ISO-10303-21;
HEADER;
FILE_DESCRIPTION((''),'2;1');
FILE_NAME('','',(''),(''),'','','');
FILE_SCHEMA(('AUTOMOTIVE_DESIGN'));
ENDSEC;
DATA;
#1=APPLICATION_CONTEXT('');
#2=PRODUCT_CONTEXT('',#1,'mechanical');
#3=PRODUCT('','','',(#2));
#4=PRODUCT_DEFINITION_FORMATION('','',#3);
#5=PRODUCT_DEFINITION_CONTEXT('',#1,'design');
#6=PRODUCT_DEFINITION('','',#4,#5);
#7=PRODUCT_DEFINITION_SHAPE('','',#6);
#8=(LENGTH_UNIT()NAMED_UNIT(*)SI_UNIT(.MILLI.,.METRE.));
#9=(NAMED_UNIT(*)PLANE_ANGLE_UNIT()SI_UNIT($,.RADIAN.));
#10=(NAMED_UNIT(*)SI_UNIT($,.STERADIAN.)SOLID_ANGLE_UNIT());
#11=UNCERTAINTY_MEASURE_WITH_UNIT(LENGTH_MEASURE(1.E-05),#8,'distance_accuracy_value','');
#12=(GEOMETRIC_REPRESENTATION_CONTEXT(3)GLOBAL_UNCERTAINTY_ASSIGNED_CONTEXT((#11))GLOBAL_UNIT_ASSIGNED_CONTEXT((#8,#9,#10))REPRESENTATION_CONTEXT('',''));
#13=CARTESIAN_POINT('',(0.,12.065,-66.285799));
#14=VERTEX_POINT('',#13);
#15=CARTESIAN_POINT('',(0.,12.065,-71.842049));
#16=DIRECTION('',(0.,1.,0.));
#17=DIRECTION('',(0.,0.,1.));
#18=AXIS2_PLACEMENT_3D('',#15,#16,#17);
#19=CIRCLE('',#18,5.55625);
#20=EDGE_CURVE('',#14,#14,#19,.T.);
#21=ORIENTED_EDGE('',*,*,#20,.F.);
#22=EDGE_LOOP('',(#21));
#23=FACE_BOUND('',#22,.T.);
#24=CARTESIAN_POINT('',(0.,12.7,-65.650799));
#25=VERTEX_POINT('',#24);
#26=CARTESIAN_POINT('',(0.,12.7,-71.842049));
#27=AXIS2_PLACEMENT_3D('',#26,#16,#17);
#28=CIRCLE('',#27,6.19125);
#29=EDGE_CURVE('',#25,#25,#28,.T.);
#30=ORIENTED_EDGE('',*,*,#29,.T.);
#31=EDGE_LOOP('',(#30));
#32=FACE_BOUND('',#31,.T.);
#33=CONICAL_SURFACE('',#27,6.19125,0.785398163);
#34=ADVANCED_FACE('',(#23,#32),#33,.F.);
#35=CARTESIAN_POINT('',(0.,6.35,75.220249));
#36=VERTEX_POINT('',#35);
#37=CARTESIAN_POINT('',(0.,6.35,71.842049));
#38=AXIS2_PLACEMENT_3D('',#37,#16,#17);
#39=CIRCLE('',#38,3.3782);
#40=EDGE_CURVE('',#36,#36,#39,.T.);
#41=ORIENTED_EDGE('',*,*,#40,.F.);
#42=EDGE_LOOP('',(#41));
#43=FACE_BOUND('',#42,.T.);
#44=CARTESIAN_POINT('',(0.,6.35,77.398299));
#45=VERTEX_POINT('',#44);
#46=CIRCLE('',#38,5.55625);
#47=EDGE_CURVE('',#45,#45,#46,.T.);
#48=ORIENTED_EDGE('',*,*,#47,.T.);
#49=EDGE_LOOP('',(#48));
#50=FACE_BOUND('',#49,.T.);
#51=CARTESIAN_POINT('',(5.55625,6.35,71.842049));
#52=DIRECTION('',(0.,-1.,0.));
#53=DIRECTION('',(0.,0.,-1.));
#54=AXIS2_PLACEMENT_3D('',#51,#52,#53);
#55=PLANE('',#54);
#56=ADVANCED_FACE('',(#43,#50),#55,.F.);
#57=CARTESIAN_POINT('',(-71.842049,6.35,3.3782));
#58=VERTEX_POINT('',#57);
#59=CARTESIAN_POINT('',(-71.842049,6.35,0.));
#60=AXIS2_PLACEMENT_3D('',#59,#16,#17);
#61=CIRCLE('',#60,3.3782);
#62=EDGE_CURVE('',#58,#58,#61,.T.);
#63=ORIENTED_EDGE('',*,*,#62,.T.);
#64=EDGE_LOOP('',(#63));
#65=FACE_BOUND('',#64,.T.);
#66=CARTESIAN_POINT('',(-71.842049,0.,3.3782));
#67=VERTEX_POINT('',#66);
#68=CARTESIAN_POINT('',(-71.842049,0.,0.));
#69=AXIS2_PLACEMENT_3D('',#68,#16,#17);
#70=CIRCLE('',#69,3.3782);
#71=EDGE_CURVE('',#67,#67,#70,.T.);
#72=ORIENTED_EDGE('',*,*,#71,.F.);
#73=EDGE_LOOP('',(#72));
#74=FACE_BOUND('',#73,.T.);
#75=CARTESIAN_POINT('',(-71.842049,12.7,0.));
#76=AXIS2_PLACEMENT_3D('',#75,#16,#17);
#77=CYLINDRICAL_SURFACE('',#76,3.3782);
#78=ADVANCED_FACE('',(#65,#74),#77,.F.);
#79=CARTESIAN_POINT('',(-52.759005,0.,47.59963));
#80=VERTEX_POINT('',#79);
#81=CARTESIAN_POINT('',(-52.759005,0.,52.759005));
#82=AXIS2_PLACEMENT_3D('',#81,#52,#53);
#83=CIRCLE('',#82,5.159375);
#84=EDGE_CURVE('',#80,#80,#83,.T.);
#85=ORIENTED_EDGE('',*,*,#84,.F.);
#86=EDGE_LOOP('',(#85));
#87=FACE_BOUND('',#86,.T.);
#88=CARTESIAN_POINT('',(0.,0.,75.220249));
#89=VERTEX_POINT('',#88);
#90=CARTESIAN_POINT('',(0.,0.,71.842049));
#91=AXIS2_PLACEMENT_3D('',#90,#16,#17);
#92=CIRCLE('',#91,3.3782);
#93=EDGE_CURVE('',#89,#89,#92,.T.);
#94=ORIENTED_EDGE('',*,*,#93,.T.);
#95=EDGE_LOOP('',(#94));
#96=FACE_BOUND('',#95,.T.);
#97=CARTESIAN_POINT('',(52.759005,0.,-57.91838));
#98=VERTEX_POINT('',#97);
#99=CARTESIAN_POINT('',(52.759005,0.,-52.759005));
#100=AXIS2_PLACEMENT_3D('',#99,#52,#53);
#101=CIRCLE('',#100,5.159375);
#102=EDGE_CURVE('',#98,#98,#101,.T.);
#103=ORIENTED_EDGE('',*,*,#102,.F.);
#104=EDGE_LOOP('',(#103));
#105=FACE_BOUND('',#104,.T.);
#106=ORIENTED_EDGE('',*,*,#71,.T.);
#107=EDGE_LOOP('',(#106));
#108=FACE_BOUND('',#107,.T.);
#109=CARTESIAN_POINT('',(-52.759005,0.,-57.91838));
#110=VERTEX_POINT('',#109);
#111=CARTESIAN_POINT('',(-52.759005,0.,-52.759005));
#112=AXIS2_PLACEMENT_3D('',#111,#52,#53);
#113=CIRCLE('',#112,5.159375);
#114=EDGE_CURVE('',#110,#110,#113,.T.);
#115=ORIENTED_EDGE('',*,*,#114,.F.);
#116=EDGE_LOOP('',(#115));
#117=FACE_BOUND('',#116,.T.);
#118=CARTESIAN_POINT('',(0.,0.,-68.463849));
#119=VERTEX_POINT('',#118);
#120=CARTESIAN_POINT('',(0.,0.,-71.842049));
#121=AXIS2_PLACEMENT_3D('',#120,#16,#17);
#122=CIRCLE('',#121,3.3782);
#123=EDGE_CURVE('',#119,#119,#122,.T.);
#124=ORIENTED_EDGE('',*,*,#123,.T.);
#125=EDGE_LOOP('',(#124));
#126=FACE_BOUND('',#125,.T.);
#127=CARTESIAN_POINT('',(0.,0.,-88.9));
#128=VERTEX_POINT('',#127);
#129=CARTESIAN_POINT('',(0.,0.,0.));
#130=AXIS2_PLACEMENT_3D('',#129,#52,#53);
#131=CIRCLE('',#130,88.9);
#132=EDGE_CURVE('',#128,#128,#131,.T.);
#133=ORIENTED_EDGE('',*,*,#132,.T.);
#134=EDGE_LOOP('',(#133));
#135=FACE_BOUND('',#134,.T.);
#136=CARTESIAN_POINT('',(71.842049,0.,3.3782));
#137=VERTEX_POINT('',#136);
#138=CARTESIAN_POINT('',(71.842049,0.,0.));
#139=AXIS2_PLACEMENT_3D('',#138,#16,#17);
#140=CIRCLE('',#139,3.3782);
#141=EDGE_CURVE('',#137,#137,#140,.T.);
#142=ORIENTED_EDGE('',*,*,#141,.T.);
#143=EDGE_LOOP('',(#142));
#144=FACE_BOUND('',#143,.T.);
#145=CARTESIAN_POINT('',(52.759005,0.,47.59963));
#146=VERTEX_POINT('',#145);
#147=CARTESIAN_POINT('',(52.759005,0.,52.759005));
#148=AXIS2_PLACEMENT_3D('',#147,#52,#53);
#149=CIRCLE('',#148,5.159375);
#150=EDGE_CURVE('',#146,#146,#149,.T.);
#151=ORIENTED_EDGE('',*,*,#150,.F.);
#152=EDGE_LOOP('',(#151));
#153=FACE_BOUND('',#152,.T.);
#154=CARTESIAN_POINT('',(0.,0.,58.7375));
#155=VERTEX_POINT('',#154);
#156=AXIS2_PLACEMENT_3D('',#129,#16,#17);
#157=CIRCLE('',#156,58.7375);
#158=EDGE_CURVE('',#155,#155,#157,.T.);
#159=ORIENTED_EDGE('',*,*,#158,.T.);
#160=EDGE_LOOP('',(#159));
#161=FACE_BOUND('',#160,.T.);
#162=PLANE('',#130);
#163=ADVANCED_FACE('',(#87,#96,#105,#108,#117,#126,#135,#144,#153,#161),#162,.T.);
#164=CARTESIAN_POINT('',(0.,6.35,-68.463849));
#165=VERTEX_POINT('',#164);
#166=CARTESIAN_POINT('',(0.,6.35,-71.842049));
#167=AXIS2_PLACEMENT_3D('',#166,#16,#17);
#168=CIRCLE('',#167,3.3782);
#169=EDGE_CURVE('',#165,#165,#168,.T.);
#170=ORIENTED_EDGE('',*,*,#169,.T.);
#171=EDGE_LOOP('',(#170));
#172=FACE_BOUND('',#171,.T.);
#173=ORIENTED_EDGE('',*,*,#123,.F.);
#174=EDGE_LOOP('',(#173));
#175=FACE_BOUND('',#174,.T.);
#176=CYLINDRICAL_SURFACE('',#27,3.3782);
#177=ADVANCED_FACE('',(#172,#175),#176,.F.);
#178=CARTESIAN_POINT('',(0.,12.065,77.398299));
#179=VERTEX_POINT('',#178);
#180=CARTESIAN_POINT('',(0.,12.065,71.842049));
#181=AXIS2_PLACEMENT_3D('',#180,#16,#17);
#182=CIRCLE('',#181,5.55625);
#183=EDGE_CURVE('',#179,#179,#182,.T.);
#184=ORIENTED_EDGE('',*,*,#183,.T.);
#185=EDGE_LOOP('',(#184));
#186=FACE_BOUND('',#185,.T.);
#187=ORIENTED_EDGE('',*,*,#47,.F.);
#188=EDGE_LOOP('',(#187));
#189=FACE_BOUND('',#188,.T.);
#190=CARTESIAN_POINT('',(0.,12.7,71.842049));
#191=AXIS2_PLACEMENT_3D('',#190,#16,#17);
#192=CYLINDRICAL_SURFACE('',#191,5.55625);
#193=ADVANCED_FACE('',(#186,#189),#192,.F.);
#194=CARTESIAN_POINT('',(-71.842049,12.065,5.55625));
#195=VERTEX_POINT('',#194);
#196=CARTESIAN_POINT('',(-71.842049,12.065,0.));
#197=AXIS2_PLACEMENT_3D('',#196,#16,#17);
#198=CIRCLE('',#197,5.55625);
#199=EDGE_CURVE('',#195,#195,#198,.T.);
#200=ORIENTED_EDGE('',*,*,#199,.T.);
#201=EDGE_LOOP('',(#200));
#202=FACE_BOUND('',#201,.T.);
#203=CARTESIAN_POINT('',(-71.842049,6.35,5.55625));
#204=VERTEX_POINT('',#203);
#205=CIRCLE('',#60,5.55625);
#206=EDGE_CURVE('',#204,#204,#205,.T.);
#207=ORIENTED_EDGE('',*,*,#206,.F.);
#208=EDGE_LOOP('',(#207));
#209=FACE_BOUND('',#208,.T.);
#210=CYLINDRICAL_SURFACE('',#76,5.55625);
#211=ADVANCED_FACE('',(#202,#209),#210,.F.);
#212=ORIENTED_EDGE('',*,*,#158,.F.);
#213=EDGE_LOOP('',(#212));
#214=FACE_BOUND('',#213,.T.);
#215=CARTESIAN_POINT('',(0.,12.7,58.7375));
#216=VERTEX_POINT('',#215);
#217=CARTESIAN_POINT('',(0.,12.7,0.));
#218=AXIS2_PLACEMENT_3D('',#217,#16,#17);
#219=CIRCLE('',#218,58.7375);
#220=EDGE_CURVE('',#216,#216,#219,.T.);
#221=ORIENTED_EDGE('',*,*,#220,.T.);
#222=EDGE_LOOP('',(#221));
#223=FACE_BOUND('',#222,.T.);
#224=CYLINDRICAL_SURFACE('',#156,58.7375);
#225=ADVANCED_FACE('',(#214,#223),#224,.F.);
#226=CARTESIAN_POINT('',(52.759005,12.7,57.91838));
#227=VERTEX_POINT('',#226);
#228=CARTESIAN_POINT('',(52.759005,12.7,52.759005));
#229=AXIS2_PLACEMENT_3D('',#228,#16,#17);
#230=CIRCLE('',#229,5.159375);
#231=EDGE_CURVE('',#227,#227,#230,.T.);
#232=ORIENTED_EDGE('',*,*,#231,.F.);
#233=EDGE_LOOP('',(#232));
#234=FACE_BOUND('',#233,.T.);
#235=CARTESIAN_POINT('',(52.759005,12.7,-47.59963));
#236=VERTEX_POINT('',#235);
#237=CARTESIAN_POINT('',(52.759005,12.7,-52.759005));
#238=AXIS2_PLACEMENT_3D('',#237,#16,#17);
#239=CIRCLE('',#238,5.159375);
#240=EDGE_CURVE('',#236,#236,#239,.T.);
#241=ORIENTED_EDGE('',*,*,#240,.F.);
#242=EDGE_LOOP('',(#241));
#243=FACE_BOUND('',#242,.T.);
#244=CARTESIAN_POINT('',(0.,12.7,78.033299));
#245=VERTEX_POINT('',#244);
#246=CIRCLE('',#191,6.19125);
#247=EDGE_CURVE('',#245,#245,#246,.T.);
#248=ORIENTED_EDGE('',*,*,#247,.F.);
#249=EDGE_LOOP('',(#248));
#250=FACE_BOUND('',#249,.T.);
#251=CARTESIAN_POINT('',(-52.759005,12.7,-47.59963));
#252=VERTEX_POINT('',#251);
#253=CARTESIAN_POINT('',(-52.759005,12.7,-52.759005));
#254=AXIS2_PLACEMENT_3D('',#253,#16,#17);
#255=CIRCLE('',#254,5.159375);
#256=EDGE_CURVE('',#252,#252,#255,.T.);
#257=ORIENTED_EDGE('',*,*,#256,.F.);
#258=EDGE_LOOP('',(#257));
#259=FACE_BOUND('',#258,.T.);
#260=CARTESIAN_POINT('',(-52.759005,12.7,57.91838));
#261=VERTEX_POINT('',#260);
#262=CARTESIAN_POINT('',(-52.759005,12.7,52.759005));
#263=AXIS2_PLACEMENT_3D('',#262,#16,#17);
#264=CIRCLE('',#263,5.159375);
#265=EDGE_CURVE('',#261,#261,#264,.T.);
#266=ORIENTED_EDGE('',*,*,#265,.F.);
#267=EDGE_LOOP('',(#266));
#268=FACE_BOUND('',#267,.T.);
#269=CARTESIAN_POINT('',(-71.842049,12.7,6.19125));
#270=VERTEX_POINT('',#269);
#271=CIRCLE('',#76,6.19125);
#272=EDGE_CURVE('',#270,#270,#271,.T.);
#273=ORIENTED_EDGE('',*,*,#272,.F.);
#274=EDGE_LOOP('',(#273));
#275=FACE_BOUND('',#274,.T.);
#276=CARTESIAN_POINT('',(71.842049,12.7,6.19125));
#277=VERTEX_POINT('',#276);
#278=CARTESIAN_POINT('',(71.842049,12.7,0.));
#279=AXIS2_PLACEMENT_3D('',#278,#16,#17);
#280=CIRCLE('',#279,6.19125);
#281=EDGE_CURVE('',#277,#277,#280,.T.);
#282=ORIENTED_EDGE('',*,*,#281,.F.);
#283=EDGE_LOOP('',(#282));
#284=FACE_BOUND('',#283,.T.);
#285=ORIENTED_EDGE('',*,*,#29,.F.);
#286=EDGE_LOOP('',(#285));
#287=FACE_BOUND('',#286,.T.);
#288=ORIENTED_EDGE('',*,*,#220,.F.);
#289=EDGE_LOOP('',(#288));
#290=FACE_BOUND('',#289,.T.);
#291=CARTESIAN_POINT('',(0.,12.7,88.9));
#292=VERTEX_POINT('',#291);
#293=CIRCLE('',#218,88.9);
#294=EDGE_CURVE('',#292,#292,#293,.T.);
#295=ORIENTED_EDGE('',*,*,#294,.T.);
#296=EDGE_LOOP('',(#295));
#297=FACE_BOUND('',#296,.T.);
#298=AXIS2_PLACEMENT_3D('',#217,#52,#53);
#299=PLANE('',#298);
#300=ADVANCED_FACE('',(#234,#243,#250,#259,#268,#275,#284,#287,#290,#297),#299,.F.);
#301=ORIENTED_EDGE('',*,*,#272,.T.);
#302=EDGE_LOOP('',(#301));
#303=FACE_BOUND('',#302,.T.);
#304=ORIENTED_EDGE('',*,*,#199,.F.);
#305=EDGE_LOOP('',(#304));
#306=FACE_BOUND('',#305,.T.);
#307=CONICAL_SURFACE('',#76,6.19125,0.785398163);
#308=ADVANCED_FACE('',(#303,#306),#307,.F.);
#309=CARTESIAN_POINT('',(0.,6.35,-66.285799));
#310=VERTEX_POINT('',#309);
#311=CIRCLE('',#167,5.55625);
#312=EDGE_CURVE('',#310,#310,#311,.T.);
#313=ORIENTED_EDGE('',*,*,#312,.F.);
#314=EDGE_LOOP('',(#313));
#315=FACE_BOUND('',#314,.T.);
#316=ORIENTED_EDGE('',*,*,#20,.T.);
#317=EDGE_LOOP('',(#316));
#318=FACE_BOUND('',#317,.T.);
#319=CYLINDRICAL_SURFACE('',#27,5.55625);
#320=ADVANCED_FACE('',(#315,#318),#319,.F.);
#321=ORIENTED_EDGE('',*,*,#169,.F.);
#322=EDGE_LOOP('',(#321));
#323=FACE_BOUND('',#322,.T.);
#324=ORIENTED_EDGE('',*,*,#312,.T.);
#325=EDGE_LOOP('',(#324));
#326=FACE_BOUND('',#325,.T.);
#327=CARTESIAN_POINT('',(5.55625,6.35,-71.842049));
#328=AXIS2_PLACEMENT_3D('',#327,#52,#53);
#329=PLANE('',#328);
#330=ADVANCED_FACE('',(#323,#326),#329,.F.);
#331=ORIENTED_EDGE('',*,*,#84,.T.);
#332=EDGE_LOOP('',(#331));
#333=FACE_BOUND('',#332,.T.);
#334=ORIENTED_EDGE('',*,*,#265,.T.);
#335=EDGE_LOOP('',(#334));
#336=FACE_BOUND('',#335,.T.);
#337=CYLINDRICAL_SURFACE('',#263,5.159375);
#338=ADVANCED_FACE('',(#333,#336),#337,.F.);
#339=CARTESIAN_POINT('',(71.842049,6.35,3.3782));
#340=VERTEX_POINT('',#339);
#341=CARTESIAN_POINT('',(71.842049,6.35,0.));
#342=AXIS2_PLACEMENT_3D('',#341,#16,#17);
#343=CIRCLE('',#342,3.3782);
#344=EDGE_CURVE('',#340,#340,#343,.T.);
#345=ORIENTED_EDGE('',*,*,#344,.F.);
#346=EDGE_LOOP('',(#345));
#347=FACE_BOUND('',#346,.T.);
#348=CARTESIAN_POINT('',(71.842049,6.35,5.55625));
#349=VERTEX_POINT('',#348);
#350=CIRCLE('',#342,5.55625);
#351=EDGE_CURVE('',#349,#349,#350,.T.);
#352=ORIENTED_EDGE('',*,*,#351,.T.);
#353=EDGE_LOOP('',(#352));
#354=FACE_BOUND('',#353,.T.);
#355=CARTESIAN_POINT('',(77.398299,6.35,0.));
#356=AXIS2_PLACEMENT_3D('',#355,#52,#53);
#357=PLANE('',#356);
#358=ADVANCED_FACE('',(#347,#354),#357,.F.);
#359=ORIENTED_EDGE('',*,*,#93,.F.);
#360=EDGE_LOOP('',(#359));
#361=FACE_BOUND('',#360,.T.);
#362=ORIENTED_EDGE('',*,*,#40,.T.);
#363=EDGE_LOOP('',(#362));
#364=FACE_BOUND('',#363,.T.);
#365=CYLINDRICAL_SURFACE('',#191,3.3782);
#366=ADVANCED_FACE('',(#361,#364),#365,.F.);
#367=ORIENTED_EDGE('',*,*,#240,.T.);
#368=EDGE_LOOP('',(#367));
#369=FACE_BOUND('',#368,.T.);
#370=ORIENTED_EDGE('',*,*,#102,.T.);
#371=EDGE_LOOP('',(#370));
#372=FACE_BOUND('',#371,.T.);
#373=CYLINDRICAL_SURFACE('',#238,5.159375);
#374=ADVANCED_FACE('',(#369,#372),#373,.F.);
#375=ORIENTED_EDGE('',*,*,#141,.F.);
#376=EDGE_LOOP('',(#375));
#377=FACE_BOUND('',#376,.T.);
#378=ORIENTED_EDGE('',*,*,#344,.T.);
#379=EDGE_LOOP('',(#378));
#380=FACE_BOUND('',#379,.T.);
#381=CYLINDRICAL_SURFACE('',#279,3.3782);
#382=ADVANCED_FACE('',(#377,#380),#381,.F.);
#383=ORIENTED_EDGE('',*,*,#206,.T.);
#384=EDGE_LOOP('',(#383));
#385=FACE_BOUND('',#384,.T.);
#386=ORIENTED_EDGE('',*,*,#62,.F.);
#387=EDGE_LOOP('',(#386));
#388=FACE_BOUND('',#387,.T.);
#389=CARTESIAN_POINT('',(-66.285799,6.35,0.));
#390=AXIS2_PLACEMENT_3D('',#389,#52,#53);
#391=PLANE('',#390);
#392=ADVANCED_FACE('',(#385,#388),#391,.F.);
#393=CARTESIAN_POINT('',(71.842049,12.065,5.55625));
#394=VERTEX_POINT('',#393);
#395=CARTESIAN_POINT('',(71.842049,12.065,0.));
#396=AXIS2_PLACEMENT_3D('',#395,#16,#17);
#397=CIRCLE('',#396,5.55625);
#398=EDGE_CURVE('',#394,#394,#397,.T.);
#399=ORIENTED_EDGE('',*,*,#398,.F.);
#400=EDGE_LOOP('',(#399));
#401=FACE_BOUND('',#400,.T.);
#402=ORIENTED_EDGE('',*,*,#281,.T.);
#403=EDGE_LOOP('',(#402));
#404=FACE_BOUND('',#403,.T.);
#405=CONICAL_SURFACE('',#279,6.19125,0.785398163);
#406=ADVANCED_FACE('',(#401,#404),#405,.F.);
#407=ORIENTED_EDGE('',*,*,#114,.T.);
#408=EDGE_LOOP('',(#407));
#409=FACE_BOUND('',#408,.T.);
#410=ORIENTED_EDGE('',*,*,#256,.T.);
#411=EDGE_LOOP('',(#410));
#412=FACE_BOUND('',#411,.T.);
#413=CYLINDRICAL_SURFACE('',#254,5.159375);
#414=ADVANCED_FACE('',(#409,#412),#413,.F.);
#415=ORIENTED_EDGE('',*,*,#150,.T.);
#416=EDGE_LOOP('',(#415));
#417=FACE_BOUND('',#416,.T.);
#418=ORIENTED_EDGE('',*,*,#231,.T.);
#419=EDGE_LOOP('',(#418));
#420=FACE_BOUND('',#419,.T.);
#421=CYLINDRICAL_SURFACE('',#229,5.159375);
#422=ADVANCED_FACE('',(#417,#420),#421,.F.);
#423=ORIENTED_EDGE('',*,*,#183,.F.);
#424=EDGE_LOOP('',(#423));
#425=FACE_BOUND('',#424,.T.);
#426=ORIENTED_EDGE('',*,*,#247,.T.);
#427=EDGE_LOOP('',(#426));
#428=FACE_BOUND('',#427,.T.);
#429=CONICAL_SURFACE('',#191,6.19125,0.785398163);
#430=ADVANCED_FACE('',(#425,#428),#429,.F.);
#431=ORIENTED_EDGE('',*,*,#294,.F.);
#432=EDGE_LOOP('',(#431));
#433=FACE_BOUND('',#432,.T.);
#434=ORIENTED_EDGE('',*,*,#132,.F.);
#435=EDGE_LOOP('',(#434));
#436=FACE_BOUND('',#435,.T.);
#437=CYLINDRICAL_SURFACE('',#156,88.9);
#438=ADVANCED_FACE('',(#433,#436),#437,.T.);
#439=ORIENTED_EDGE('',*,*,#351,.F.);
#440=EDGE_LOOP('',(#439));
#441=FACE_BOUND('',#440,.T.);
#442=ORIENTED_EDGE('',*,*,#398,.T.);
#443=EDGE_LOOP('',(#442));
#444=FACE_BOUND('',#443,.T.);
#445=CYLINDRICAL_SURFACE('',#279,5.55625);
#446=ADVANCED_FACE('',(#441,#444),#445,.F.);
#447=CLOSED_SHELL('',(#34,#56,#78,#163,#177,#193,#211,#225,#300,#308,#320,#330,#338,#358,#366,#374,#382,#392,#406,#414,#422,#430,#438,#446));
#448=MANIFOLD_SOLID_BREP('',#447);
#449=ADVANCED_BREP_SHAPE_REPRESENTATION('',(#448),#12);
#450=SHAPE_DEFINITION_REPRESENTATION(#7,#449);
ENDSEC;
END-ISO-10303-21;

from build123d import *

# Parameters (mm, degrees)
SKETCH1_W                                     = 177.8
SKETCH1_H                                     = 177.8
BOSS_EXTRUDE1_DEPTH                           = 12.7
F_13_32_0_40625_DIAMETER_HOLE1_D              = 10.31875
F_13_32_0_40625_DIAMETER_HOLE1_DEPTH          = 25.4
F_13_32_0_40625_DIAMETER_HOLE1_TIP            = 3.100065256
SKETCH4_R                                     = 58.7375
CUT_EXTRUDE1_DEPTH                            = 127.363404513
SKETCH5_OUTSIDE_W                             = 230.154
SKETCH5_OUTSIDE_H                             = 230.154
SKETCH5_OUTSIDE_R                             = 88.9
CUT_EXTRUDE2_DEPTH                            = 12.7
CBORE_FOR_1_4_SOCKET_HEAD_CAP_SCREW1_AT_COUNT = 2
CBORE_FOR_1_4_SOCKET_HEAD_CAP_SCREW1_AT_PITCH = 101.6
CBORE_FOR_1_4_SOCKET_HEAD_CAP_SCREW1_2_COUNT  = 2
CBORE_FOR_1_4_SOCKET_HEAD_CAP_SCREW1_2_PITCH  = 101.6
CBORE_FOR_1_4_SOCKET_HEAD_CAP_SCREW1_3_COUNT  = 2
CBORE_FOR_1_4_SOCKET_HEAD_CAP_SCREW1_3_PITCH  = 143.684097937


with BuildPart() as part:
    # Sketch1 → Boss-Extrude1 (new body)
    with BuildSketch(Plane(origin=(0, 0, 0), x_dir=(1, 0, 0), z_dir=(0, 1, 0))):
        Rectangle(SKETCH1_W, SKETCH1_H)
    extrude(amount=BOSS_EXTRUDE1_DEPTH)

    # 13/32 (0.40625) Diameter Hole1
    with Locations(Plane(origin=(-52.759004711, 12.7, -52.759004711), x_dir=(0, 0, 1), z_dir=(0, 1, 0))):
        with Locations((0, 0), (0, 105.518009422), (105.518009422, 105.518009422), (105.518009422, 0)):
            Hole(F_13_32_0_40625_DIAMETER_HOLE1_D / 2, depth=F_13_32_0_40625_DIAMETER_HOLE1_DEPTH)
            with Locations((0, 0, -(F_13_32_0_40625_DIAMETER_HOLE1_DEPTH + F_13_32_0_40625_DIAMETER_HOLE1_TIP / 2))):  # 118° drill point
                Cone(0, F_13_32_0_40625_DIAMETER_HOLE1_D / 2, F_13_32_0_40625_DIAMETER_HOLE1_TIP, mode=Mode.SUBTRACT)

    # Sketch4 → Cut-Extrude1 (cut, through all)
    with BuildSketch(Plane(origin=(0, 12.7, 0), x_dir=(1, 0, 0), z_dir=(0, 1, 0))):
        with Locations(Location((0, 0, 0), (0, 0, 270))):
            Circle(SKETCH4_R)
    extrude(amount=-CUT_EXTRUDE1_DEPTH, mode=Mode.SUBTRACT)

    # Sketch5 outside → Cut-Extrude2 (cut)
    with BuildSketch(Plane(origin=(0, 12.7, 0), x_dir=(1, 0, 0), z_dir=(0, 1, 0))):
        Rectangle(SKETCH5_OUTSIDE_W, SKETCH5_OUTSIDE_H)
        with Locations(Location((0, 0, 0), (0, 0, 270))):
            Circle(SKETCH5_OUTSIDE_R, mode=Mode.SUBTRACT)
    extrude(amount=-CUT_EXTRUDE2_DEPTH, mode=Mode.SUBTRACT)

    # Sketch9 → CBORE for 1/4 Socket Head Cap Screw1 (revolve, cut)
    with BuildSketch(Plane(origin=(0, 12.7, -71.842048969), x_dir=(0, 0, 1), z_dir=(1, 0, 0))):
        Polygon((0, 0), (0, 12.7), (3.3782, 12.7), (3.3782, 6.35), (5.55625, 6.35), (5.55625, 0.635), (6.19125, 0), align=None)
    cbore_for_1_4_socket_head_cap_screw1 = revolve(axis=Axis((0, 19.05, -71.842048969), (0, -1, 0)), mode=Mode.SUBTRACT)

    # CBORE for 1/4 Socket Head Cap Screw1 at: CBORE for 1/4 Socket Head Cap Screw1 ×2
    with Locations(*[Vector(0.7071067811865476, 0, 0.7071067811865476) * (i * CBORE_FOR_1_4_SOCKET_HEAD_CAP_SCREW1_AT_PITCH) for i in range(1, CBORE_FOR_1_4_SOCKET_HEAD_CAP_SCREW1_AT_COUNT)]):
        add(cbore_for_1_4_socket_head_cap_screw1, mode=Mode.SUBTRACT)

    # CBORE for 1_4 Socket Head Cap Screw1 2: CBORE for 1/4 Socket Head Cap Screw1 ×2
    with Locations(*[Vector(-0.7071067811865475, 0, 0.7071067811865476) * (i * CBORE_FOR_1_4_SOCKET_HEAD_CAP_SCREW1_2_PITCH) for i in range(1, CBORE_FOR_1_4_SOCKET_HEAD_CAP_SCREW1_2_COUNT)]):
        add(cbore_for_1_4_socket_head_cap_screw1, mode=Mode.SUBTRACT)

    # CBORE for 1_4 Socket Head Cap Screw1 3: CBORE for 1/4 Socket Head Cap Screw1 ×2
    with Locations(*[(0, 0, i * CBORE_FOR_1_4_SOCKET_HEAD_CAP_SCREW1_3_PITCH) for i in range(1, CBORE_FOR_1_4_SOCKET_HEAD_CAP_SCREW1_3_COUNT)]):
        add(cbore_for_1_4_socket_head_cap_screw1, mode=Mode.SUBTRACT)


solid = part.part
